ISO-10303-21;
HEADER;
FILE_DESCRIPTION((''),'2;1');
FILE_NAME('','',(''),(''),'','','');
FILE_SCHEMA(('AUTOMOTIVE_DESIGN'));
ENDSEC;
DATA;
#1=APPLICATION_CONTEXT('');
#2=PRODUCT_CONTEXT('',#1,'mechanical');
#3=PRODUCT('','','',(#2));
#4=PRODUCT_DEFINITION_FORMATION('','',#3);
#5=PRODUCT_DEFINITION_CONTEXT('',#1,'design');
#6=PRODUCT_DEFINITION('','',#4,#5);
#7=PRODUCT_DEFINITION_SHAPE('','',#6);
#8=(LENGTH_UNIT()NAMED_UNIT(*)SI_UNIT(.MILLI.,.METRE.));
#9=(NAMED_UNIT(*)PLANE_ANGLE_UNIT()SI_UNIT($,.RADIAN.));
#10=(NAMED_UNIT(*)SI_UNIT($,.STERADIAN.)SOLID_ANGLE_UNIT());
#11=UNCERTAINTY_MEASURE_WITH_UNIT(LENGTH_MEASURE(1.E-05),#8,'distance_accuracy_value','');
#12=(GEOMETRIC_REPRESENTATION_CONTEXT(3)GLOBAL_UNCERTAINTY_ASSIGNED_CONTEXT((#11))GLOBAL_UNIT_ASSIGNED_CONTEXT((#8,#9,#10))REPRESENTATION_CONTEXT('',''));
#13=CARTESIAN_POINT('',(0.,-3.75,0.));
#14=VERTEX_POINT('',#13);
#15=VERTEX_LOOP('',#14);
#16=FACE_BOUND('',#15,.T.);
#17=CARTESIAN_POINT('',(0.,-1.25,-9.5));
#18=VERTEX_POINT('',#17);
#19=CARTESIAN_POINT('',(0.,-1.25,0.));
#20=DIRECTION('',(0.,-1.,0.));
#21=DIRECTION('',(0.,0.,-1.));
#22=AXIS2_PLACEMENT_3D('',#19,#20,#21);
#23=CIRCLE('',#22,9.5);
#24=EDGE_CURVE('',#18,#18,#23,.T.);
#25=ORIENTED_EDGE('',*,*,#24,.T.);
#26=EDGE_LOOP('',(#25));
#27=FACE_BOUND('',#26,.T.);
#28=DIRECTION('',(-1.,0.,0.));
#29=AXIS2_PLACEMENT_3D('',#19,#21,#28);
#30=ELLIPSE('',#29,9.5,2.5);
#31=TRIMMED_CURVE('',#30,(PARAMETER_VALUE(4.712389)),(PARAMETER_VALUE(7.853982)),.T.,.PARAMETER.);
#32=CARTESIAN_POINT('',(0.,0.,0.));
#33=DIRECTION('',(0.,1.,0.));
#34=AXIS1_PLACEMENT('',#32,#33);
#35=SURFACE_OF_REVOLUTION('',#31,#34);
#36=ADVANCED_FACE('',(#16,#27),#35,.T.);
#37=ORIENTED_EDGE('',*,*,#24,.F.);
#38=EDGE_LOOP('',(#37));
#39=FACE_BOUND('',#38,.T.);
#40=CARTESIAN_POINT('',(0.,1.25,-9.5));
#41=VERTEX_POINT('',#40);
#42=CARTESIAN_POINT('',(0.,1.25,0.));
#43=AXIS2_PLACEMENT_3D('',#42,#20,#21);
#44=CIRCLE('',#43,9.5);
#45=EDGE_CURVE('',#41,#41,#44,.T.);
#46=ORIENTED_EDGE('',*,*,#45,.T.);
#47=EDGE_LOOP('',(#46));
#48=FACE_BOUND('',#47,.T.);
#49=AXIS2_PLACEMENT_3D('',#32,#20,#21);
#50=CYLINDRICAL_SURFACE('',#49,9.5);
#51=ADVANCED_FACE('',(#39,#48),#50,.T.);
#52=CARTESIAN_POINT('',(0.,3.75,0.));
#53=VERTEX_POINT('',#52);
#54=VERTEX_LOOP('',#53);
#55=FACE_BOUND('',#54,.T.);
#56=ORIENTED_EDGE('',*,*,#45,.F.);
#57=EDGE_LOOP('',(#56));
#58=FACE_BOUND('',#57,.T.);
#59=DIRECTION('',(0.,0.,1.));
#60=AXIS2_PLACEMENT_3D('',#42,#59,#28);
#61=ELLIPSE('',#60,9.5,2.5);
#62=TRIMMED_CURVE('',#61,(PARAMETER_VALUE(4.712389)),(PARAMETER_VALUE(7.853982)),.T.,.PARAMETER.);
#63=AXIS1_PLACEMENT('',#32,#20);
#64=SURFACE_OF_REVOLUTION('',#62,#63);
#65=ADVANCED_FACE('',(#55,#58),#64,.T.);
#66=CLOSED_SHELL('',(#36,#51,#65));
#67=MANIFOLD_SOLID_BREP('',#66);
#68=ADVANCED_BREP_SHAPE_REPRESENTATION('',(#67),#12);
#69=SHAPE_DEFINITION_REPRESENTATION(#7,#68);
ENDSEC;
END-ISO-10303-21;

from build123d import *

# Parameters (mm, degrees)
SKETCH_2_W = 9.5
SKETCH_2_H = 1.25


with BuildPart() as part:
    # 스케치2 → 회전3 (revolve)
    with BuildSketch(Plane.XY, mode=Mode.PRIVATE) as revolve_3_sk:
        with Locations((-4.75, 0.625)):
            Rectangle(SKETCH_2_W, SKETCH_2_H)
        with BuildLine():
            Line((-9.5, 1.25), (0, 1.25))
            Line((0, 1.25), (0, 3.75))
            add(Edge.make_bspline(
                [(0, 3.75), (-9.5, 3.75), (-9.5, 1.25)],
                knots=[4.71238898, 4.71238898, 4.71238898, 6.283185307, 6.283185307, 6.283185307], degree=2, weights=[1, 0.707106781, 1]))
        make_face()
    revolve_3 = revolve(revolve_3_sk.sketch.rotate(Axis((0, 0, 0), (0, 1, 0)), 270), axis=Axis((0, 0, 0), (0, 1, 0)))

    # 대칭 복사1: 회전3 across plane
    add(revolve_3.mirror(Plane.ZX))


solid = part.part
